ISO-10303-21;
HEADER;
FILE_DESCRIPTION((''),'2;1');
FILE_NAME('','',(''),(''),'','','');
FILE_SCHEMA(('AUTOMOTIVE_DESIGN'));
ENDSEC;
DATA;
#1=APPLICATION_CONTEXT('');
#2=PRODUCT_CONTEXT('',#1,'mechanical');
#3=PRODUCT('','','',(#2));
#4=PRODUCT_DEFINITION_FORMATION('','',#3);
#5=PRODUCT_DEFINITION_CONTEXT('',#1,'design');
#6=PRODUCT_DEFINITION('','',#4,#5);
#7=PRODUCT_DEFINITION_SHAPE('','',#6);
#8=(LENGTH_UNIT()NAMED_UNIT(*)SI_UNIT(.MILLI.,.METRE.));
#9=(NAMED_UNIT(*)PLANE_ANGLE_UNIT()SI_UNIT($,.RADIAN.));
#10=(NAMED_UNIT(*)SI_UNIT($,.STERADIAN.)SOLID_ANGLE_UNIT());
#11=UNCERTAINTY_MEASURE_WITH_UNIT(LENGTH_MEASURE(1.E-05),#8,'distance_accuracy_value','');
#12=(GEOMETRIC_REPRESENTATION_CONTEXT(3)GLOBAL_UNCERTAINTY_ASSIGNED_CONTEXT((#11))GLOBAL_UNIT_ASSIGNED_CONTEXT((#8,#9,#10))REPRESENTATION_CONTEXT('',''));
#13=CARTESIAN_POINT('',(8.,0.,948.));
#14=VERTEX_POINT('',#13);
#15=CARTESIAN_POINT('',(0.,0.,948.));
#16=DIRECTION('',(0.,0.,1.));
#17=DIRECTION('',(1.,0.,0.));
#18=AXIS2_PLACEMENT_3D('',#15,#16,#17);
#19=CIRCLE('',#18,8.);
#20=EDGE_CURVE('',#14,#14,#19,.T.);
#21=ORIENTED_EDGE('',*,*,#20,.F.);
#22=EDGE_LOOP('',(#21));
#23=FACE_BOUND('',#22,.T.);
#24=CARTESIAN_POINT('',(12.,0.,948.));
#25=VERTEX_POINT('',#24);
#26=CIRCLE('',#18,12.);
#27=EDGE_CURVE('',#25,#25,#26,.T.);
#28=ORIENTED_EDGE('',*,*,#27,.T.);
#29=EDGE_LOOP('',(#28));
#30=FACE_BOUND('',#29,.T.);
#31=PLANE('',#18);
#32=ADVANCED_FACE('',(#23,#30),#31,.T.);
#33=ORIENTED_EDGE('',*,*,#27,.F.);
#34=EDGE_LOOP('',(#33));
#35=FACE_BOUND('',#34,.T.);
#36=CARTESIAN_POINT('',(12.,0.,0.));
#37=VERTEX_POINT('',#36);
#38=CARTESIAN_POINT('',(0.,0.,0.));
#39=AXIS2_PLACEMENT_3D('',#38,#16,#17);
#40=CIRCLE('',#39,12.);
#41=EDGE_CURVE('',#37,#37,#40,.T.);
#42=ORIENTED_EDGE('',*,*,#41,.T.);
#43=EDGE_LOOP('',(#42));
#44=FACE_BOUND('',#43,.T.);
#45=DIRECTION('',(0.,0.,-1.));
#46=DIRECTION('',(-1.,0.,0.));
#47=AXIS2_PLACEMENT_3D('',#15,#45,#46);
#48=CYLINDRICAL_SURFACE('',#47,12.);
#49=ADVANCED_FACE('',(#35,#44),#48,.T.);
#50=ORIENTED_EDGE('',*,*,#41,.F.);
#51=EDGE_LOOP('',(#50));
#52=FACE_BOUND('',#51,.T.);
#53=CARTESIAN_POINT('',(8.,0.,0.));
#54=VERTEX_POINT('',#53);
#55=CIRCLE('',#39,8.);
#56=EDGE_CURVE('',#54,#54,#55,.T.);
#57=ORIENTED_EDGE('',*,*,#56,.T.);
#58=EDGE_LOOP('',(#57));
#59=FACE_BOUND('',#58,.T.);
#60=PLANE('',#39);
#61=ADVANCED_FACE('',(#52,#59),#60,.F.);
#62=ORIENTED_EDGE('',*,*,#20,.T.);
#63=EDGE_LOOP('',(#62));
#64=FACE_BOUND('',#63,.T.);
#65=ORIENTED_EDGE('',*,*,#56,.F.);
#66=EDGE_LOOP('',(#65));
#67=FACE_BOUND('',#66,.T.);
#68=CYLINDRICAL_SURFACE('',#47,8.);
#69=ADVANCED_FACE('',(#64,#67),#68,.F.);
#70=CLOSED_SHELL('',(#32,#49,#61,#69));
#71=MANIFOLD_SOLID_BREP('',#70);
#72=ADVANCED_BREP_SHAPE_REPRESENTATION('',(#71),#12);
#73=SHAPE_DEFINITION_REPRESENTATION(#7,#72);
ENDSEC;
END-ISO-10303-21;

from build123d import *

# Parameters (mm, degrees)
SZKIC1_R                    = 12
SZKIC1_R_2                  = 8
DODANIE_WYCI_GNI_CIE1_DEPTH = 948


with BuildPart() as part:
    # Szkic1 → Dodanie-wyciągnięcie1 (new body)
    with BuildSketch(Plane.XY):
        Circle(SZKIC1_R)
        Circle(SZKIC1_R_2, mode=Mode.SUBTRACT)
    extrude(amount=DODANIE_WYCI_GNI_CIE1_DEPTH)


solid = part.part
